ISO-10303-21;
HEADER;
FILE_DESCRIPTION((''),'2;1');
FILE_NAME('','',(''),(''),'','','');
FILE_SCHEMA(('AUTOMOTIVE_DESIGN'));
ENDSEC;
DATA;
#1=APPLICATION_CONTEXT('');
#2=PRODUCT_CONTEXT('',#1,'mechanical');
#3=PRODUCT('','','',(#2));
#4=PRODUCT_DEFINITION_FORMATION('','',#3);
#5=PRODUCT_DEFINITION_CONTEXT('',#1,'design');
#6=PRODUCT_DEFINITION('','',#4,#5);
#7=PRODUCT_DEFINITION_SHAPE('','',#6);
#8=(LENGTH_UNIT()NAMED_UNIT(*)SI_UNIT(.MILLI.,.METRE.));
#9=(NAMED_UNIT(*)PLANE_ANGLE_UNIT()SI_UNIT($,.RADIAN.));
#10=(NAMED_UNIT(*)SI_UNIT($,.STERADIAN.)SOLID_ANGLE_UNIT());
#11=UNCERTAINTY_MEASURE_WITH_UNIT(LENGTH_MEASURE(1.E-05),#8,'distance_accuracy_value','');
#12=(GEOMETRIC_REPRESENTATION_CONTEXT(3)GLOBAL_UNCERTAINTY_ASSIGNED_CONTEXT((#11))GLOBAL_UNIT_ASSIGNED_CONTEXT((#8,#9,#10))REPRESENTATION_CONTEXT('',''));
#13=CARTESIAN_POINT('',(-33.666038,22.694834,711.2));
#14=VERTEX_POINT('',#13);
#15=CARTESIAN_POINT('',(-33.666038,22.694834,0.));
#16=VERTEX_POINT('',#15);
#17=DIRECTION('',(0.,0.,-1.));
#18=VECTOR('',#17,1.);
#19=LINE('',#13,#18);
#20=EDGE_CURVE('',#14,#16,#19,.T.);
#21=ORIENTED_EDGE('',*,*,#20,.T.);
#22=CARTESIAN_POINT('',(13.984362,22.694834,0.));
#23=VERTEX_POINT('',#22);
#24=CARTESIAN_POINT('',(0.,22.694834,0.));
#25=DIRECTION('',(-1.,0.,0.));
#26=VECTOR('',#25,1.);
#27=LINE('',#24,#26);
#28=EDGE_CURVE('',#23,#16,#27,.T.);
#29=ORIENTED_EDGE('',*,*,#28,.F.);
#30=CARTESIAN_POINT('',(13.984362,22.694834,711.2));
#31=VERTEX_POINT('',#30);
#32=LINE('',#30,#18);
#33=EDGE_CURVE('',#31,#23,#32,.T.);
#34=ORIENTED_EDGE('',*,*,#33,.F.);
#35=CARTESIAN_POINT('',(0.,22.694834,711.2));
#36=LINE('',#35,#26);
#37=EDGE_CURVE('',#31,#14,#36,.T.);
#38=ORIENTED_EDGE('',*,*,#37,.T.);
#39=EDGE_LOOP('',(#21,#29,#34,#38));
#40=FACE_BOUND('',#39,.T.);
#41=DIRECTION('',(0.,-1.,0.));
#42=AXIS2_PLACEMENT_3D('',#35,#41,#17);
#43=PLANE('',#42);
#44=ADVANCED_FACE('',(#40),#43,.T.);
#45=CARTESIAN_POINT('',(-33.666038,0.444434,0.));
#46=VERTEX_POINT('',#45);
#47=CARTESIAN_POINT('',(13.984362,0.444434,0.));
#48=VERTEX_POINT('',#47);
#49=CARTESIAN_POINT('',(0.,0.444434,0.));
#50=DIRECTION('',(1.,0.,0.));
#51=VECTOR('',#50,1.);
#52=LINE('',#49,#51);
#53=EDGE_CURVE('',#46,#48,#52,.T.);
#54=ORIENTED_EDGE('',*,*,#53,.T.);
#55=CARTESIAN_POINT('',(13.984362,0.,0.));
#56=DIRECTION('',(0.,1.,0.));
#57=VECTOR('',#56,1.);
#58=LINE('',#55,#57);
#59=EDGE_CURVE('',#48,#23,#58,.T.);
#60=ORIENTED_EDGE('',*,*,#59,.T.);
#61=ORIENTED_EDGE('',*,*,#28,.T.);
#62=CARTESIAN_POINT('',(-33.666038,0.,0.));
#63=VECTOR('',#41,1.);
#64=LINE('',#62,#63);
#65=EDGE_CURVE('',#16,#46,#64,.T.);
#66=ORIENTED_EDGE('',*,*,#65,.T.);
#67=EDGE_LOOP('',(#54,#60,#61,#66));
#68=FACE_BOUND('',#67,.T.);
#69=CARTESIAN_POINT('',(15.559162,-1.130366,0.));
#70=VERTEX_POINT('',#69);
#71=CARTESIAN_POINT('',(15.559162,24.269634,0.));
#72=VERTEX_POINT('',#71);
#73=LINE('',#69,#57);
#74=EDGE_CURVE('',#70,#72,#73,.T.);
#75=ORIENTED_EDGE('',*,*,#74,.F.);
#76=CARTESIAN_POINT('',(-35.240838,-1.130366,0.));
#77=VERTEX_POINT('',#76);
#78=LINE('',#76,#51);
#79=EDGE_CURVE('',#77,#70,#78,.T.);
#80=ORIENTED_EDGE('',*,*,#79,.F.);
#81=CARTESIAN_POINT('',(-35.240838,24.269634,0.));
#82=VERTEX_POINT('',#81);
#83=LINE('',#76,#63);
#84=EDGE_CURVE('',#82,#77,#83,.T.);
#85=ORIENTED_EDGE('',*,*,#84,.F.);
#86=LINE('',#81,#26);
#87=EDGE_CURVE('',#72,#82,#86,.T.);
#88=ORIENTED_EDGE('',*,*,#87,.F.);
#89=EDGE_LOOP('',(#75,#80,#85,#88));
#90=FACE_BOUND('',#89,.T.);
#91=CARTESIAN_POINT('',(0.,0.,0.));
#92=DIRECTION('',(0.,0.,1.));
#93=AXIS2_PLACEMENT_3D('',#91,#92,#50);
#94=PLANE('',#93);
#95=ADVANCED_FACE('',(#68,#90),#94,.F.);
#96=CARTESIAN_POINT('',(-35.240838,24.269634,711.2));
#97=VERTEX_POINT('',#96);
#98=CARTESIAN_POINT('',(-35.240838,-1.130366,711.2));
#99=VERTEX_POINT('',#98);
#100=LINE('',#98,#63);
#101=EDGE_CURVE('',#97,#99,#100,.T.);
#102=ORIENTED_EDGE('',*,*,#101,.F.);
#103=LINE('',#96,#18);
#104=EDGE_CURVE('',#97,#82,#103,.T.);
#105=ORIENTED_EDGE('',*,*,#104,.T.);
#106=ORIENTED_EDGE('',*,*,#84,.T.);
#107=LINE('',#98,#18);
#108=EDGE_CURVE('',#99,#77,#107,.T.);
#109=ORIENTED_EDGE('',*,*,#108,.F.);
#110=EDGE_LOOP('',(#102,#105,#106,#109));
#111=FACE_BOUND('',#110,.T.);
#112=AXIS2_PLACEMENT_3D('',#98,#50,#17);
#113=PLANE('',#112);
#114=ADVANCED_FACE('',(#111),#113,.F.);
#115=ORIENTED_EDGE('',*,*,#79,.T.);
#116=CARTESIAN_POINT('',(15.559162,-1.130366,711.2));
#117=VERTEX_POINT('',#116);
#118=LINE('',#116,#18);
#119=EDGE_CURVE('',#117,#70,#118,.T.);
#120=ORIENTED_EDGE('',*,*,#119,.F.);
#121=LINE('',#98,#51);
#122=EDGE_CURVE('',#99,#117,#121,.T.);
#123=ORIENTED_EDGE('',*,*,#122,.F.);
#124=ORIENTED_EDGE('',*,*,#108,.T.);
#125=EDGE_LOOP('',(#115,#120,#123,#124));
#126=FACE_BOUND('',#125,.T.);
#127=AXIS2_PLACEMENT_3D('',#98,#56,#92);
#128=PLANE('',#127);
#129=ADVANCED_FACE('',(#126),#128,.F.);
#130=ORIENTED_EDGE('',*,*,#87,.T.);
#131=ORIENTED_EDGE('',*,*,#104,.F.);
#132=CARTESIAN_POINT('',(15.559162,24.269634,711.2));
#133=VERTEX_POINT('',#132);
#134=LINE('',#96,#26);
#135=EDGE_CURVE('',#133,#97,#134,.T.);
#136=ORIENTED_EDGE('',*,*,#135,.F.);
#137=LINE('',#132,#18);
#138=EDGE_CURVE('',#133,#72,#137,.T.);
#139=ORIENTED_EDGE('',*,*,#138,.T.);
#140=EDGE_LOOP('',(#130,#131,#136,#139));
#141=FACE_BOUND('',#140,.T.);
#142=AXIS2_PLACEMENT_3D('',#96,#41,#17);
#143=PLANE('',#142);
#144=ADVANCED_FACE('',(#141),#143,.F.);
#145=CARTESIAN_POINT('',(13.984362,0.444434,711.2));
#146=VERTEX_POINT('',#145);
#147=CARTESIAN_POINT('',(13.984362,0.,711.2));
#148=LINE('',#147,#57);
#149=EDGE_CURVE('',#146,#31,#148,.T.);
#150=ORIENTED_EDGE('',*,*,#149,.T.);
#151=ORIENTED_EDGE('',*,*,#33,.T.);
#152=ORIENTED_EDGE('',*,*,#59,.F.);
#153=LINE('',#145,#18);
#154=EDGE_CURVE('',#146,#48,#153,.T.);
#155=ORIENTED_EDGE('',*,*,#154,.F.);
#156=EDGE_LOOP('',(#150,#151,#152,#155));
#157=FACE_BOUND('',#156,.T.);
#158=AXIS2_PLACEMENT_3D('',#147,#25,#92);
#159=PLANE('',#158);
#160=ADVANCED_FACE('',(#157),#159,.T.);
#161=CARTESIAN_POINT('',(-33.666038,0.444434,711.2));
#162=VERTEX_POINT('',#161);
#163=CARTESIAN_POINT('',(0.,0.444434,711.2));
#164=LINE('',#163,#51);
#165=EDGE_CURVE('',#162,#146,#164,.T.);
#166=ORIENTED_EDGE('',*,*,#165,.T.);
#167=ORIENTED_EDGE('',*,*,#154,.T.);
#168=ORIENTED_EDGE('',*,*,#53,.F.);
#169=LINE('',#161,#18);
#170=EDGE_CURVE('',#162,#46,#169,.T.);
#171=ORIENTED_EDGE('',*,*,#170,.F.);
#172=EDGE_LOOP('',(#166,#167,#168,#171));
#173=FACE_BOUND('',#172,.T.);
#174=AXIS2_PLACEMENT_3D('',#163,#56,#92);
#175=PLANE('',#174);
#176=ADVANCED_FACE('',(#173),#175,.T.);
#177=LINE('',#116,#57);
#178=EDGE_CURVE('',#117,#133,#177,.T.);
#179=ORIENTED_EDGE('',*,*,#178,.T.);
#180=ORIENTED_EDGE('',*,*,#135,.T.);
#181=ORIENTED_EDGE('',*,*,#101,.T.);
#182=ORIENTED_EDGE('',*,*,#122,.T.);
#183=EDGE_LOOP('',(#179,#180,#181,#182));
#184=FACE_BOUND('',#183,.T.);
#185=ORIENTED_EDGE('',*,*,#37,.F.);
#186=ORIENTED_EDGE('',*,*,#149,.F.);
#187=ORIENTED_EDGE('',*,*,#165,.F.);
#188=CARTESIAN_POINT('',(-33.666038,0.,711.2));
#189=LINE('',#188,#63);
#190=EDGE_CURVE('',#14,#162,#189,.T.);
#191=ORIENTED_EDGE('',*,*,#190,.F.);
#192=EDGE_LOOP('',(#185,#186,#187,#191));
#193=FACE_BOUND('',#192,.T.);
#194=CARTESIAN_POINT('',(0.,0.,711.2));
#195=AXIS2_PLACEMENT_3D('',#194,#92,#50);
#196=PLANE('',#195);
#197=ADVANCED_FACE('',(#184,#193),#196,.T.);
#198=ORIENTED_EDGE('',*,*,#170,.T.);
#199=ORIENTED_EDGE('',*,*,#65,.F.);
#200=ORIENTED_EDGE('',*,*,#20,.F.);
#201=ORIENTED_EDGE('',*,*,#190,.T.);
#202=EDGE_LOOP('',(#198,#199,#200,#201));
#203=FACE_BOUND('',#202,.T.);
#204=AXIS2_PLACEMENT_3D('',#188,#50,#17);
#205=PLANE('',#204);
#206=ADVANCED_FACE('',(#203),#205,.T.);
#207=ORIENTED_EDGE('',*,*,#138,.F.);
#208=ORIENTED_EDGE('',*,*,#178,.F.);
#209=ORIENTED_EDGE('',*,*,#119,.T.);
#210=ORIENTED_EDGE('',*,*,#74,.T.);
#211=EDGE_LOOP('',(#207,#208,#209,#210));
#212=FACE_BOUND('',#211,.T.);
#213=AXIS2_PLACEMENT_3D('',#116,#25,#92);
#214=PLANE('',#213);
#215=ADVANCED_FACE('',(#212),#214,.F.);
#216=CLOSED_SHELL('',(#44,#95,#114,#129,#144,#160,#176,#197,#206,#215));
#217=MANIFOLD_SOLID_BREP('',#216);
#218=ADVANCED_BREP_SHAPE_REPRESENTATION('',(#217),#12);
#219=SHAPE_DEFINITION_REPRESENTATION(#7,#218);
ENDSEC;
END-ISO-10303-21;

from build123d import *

# Parameters (mm, degrees)
SKETCH1_W           = 50.8
SKETCH1_H           = 25.4
SKETCH1_W_2         = 47.6504
SKETCH1_H_2         = 22.2504
EXTRUDE_THIN1_DEPTH = 711.2


with BuildPart() as part:
    # Sketch1 → Extrude-Thin1 (new body)
    with BuildSketch(Plane.XY):
        with Locations((-9.840837696, 11.569633508)):
            Rectangle(SKETCH1_W, SKETCH1_H)
        with Locations((-9.840837696, 11.569633508)):
            Rectangle(SKETCH1_W_2, SKETCH1_H_2, mode=Mode.SUBTRACT)
    extrude(amount=EXTRUDE_THIN1_DEPTH)


solid = part.part
